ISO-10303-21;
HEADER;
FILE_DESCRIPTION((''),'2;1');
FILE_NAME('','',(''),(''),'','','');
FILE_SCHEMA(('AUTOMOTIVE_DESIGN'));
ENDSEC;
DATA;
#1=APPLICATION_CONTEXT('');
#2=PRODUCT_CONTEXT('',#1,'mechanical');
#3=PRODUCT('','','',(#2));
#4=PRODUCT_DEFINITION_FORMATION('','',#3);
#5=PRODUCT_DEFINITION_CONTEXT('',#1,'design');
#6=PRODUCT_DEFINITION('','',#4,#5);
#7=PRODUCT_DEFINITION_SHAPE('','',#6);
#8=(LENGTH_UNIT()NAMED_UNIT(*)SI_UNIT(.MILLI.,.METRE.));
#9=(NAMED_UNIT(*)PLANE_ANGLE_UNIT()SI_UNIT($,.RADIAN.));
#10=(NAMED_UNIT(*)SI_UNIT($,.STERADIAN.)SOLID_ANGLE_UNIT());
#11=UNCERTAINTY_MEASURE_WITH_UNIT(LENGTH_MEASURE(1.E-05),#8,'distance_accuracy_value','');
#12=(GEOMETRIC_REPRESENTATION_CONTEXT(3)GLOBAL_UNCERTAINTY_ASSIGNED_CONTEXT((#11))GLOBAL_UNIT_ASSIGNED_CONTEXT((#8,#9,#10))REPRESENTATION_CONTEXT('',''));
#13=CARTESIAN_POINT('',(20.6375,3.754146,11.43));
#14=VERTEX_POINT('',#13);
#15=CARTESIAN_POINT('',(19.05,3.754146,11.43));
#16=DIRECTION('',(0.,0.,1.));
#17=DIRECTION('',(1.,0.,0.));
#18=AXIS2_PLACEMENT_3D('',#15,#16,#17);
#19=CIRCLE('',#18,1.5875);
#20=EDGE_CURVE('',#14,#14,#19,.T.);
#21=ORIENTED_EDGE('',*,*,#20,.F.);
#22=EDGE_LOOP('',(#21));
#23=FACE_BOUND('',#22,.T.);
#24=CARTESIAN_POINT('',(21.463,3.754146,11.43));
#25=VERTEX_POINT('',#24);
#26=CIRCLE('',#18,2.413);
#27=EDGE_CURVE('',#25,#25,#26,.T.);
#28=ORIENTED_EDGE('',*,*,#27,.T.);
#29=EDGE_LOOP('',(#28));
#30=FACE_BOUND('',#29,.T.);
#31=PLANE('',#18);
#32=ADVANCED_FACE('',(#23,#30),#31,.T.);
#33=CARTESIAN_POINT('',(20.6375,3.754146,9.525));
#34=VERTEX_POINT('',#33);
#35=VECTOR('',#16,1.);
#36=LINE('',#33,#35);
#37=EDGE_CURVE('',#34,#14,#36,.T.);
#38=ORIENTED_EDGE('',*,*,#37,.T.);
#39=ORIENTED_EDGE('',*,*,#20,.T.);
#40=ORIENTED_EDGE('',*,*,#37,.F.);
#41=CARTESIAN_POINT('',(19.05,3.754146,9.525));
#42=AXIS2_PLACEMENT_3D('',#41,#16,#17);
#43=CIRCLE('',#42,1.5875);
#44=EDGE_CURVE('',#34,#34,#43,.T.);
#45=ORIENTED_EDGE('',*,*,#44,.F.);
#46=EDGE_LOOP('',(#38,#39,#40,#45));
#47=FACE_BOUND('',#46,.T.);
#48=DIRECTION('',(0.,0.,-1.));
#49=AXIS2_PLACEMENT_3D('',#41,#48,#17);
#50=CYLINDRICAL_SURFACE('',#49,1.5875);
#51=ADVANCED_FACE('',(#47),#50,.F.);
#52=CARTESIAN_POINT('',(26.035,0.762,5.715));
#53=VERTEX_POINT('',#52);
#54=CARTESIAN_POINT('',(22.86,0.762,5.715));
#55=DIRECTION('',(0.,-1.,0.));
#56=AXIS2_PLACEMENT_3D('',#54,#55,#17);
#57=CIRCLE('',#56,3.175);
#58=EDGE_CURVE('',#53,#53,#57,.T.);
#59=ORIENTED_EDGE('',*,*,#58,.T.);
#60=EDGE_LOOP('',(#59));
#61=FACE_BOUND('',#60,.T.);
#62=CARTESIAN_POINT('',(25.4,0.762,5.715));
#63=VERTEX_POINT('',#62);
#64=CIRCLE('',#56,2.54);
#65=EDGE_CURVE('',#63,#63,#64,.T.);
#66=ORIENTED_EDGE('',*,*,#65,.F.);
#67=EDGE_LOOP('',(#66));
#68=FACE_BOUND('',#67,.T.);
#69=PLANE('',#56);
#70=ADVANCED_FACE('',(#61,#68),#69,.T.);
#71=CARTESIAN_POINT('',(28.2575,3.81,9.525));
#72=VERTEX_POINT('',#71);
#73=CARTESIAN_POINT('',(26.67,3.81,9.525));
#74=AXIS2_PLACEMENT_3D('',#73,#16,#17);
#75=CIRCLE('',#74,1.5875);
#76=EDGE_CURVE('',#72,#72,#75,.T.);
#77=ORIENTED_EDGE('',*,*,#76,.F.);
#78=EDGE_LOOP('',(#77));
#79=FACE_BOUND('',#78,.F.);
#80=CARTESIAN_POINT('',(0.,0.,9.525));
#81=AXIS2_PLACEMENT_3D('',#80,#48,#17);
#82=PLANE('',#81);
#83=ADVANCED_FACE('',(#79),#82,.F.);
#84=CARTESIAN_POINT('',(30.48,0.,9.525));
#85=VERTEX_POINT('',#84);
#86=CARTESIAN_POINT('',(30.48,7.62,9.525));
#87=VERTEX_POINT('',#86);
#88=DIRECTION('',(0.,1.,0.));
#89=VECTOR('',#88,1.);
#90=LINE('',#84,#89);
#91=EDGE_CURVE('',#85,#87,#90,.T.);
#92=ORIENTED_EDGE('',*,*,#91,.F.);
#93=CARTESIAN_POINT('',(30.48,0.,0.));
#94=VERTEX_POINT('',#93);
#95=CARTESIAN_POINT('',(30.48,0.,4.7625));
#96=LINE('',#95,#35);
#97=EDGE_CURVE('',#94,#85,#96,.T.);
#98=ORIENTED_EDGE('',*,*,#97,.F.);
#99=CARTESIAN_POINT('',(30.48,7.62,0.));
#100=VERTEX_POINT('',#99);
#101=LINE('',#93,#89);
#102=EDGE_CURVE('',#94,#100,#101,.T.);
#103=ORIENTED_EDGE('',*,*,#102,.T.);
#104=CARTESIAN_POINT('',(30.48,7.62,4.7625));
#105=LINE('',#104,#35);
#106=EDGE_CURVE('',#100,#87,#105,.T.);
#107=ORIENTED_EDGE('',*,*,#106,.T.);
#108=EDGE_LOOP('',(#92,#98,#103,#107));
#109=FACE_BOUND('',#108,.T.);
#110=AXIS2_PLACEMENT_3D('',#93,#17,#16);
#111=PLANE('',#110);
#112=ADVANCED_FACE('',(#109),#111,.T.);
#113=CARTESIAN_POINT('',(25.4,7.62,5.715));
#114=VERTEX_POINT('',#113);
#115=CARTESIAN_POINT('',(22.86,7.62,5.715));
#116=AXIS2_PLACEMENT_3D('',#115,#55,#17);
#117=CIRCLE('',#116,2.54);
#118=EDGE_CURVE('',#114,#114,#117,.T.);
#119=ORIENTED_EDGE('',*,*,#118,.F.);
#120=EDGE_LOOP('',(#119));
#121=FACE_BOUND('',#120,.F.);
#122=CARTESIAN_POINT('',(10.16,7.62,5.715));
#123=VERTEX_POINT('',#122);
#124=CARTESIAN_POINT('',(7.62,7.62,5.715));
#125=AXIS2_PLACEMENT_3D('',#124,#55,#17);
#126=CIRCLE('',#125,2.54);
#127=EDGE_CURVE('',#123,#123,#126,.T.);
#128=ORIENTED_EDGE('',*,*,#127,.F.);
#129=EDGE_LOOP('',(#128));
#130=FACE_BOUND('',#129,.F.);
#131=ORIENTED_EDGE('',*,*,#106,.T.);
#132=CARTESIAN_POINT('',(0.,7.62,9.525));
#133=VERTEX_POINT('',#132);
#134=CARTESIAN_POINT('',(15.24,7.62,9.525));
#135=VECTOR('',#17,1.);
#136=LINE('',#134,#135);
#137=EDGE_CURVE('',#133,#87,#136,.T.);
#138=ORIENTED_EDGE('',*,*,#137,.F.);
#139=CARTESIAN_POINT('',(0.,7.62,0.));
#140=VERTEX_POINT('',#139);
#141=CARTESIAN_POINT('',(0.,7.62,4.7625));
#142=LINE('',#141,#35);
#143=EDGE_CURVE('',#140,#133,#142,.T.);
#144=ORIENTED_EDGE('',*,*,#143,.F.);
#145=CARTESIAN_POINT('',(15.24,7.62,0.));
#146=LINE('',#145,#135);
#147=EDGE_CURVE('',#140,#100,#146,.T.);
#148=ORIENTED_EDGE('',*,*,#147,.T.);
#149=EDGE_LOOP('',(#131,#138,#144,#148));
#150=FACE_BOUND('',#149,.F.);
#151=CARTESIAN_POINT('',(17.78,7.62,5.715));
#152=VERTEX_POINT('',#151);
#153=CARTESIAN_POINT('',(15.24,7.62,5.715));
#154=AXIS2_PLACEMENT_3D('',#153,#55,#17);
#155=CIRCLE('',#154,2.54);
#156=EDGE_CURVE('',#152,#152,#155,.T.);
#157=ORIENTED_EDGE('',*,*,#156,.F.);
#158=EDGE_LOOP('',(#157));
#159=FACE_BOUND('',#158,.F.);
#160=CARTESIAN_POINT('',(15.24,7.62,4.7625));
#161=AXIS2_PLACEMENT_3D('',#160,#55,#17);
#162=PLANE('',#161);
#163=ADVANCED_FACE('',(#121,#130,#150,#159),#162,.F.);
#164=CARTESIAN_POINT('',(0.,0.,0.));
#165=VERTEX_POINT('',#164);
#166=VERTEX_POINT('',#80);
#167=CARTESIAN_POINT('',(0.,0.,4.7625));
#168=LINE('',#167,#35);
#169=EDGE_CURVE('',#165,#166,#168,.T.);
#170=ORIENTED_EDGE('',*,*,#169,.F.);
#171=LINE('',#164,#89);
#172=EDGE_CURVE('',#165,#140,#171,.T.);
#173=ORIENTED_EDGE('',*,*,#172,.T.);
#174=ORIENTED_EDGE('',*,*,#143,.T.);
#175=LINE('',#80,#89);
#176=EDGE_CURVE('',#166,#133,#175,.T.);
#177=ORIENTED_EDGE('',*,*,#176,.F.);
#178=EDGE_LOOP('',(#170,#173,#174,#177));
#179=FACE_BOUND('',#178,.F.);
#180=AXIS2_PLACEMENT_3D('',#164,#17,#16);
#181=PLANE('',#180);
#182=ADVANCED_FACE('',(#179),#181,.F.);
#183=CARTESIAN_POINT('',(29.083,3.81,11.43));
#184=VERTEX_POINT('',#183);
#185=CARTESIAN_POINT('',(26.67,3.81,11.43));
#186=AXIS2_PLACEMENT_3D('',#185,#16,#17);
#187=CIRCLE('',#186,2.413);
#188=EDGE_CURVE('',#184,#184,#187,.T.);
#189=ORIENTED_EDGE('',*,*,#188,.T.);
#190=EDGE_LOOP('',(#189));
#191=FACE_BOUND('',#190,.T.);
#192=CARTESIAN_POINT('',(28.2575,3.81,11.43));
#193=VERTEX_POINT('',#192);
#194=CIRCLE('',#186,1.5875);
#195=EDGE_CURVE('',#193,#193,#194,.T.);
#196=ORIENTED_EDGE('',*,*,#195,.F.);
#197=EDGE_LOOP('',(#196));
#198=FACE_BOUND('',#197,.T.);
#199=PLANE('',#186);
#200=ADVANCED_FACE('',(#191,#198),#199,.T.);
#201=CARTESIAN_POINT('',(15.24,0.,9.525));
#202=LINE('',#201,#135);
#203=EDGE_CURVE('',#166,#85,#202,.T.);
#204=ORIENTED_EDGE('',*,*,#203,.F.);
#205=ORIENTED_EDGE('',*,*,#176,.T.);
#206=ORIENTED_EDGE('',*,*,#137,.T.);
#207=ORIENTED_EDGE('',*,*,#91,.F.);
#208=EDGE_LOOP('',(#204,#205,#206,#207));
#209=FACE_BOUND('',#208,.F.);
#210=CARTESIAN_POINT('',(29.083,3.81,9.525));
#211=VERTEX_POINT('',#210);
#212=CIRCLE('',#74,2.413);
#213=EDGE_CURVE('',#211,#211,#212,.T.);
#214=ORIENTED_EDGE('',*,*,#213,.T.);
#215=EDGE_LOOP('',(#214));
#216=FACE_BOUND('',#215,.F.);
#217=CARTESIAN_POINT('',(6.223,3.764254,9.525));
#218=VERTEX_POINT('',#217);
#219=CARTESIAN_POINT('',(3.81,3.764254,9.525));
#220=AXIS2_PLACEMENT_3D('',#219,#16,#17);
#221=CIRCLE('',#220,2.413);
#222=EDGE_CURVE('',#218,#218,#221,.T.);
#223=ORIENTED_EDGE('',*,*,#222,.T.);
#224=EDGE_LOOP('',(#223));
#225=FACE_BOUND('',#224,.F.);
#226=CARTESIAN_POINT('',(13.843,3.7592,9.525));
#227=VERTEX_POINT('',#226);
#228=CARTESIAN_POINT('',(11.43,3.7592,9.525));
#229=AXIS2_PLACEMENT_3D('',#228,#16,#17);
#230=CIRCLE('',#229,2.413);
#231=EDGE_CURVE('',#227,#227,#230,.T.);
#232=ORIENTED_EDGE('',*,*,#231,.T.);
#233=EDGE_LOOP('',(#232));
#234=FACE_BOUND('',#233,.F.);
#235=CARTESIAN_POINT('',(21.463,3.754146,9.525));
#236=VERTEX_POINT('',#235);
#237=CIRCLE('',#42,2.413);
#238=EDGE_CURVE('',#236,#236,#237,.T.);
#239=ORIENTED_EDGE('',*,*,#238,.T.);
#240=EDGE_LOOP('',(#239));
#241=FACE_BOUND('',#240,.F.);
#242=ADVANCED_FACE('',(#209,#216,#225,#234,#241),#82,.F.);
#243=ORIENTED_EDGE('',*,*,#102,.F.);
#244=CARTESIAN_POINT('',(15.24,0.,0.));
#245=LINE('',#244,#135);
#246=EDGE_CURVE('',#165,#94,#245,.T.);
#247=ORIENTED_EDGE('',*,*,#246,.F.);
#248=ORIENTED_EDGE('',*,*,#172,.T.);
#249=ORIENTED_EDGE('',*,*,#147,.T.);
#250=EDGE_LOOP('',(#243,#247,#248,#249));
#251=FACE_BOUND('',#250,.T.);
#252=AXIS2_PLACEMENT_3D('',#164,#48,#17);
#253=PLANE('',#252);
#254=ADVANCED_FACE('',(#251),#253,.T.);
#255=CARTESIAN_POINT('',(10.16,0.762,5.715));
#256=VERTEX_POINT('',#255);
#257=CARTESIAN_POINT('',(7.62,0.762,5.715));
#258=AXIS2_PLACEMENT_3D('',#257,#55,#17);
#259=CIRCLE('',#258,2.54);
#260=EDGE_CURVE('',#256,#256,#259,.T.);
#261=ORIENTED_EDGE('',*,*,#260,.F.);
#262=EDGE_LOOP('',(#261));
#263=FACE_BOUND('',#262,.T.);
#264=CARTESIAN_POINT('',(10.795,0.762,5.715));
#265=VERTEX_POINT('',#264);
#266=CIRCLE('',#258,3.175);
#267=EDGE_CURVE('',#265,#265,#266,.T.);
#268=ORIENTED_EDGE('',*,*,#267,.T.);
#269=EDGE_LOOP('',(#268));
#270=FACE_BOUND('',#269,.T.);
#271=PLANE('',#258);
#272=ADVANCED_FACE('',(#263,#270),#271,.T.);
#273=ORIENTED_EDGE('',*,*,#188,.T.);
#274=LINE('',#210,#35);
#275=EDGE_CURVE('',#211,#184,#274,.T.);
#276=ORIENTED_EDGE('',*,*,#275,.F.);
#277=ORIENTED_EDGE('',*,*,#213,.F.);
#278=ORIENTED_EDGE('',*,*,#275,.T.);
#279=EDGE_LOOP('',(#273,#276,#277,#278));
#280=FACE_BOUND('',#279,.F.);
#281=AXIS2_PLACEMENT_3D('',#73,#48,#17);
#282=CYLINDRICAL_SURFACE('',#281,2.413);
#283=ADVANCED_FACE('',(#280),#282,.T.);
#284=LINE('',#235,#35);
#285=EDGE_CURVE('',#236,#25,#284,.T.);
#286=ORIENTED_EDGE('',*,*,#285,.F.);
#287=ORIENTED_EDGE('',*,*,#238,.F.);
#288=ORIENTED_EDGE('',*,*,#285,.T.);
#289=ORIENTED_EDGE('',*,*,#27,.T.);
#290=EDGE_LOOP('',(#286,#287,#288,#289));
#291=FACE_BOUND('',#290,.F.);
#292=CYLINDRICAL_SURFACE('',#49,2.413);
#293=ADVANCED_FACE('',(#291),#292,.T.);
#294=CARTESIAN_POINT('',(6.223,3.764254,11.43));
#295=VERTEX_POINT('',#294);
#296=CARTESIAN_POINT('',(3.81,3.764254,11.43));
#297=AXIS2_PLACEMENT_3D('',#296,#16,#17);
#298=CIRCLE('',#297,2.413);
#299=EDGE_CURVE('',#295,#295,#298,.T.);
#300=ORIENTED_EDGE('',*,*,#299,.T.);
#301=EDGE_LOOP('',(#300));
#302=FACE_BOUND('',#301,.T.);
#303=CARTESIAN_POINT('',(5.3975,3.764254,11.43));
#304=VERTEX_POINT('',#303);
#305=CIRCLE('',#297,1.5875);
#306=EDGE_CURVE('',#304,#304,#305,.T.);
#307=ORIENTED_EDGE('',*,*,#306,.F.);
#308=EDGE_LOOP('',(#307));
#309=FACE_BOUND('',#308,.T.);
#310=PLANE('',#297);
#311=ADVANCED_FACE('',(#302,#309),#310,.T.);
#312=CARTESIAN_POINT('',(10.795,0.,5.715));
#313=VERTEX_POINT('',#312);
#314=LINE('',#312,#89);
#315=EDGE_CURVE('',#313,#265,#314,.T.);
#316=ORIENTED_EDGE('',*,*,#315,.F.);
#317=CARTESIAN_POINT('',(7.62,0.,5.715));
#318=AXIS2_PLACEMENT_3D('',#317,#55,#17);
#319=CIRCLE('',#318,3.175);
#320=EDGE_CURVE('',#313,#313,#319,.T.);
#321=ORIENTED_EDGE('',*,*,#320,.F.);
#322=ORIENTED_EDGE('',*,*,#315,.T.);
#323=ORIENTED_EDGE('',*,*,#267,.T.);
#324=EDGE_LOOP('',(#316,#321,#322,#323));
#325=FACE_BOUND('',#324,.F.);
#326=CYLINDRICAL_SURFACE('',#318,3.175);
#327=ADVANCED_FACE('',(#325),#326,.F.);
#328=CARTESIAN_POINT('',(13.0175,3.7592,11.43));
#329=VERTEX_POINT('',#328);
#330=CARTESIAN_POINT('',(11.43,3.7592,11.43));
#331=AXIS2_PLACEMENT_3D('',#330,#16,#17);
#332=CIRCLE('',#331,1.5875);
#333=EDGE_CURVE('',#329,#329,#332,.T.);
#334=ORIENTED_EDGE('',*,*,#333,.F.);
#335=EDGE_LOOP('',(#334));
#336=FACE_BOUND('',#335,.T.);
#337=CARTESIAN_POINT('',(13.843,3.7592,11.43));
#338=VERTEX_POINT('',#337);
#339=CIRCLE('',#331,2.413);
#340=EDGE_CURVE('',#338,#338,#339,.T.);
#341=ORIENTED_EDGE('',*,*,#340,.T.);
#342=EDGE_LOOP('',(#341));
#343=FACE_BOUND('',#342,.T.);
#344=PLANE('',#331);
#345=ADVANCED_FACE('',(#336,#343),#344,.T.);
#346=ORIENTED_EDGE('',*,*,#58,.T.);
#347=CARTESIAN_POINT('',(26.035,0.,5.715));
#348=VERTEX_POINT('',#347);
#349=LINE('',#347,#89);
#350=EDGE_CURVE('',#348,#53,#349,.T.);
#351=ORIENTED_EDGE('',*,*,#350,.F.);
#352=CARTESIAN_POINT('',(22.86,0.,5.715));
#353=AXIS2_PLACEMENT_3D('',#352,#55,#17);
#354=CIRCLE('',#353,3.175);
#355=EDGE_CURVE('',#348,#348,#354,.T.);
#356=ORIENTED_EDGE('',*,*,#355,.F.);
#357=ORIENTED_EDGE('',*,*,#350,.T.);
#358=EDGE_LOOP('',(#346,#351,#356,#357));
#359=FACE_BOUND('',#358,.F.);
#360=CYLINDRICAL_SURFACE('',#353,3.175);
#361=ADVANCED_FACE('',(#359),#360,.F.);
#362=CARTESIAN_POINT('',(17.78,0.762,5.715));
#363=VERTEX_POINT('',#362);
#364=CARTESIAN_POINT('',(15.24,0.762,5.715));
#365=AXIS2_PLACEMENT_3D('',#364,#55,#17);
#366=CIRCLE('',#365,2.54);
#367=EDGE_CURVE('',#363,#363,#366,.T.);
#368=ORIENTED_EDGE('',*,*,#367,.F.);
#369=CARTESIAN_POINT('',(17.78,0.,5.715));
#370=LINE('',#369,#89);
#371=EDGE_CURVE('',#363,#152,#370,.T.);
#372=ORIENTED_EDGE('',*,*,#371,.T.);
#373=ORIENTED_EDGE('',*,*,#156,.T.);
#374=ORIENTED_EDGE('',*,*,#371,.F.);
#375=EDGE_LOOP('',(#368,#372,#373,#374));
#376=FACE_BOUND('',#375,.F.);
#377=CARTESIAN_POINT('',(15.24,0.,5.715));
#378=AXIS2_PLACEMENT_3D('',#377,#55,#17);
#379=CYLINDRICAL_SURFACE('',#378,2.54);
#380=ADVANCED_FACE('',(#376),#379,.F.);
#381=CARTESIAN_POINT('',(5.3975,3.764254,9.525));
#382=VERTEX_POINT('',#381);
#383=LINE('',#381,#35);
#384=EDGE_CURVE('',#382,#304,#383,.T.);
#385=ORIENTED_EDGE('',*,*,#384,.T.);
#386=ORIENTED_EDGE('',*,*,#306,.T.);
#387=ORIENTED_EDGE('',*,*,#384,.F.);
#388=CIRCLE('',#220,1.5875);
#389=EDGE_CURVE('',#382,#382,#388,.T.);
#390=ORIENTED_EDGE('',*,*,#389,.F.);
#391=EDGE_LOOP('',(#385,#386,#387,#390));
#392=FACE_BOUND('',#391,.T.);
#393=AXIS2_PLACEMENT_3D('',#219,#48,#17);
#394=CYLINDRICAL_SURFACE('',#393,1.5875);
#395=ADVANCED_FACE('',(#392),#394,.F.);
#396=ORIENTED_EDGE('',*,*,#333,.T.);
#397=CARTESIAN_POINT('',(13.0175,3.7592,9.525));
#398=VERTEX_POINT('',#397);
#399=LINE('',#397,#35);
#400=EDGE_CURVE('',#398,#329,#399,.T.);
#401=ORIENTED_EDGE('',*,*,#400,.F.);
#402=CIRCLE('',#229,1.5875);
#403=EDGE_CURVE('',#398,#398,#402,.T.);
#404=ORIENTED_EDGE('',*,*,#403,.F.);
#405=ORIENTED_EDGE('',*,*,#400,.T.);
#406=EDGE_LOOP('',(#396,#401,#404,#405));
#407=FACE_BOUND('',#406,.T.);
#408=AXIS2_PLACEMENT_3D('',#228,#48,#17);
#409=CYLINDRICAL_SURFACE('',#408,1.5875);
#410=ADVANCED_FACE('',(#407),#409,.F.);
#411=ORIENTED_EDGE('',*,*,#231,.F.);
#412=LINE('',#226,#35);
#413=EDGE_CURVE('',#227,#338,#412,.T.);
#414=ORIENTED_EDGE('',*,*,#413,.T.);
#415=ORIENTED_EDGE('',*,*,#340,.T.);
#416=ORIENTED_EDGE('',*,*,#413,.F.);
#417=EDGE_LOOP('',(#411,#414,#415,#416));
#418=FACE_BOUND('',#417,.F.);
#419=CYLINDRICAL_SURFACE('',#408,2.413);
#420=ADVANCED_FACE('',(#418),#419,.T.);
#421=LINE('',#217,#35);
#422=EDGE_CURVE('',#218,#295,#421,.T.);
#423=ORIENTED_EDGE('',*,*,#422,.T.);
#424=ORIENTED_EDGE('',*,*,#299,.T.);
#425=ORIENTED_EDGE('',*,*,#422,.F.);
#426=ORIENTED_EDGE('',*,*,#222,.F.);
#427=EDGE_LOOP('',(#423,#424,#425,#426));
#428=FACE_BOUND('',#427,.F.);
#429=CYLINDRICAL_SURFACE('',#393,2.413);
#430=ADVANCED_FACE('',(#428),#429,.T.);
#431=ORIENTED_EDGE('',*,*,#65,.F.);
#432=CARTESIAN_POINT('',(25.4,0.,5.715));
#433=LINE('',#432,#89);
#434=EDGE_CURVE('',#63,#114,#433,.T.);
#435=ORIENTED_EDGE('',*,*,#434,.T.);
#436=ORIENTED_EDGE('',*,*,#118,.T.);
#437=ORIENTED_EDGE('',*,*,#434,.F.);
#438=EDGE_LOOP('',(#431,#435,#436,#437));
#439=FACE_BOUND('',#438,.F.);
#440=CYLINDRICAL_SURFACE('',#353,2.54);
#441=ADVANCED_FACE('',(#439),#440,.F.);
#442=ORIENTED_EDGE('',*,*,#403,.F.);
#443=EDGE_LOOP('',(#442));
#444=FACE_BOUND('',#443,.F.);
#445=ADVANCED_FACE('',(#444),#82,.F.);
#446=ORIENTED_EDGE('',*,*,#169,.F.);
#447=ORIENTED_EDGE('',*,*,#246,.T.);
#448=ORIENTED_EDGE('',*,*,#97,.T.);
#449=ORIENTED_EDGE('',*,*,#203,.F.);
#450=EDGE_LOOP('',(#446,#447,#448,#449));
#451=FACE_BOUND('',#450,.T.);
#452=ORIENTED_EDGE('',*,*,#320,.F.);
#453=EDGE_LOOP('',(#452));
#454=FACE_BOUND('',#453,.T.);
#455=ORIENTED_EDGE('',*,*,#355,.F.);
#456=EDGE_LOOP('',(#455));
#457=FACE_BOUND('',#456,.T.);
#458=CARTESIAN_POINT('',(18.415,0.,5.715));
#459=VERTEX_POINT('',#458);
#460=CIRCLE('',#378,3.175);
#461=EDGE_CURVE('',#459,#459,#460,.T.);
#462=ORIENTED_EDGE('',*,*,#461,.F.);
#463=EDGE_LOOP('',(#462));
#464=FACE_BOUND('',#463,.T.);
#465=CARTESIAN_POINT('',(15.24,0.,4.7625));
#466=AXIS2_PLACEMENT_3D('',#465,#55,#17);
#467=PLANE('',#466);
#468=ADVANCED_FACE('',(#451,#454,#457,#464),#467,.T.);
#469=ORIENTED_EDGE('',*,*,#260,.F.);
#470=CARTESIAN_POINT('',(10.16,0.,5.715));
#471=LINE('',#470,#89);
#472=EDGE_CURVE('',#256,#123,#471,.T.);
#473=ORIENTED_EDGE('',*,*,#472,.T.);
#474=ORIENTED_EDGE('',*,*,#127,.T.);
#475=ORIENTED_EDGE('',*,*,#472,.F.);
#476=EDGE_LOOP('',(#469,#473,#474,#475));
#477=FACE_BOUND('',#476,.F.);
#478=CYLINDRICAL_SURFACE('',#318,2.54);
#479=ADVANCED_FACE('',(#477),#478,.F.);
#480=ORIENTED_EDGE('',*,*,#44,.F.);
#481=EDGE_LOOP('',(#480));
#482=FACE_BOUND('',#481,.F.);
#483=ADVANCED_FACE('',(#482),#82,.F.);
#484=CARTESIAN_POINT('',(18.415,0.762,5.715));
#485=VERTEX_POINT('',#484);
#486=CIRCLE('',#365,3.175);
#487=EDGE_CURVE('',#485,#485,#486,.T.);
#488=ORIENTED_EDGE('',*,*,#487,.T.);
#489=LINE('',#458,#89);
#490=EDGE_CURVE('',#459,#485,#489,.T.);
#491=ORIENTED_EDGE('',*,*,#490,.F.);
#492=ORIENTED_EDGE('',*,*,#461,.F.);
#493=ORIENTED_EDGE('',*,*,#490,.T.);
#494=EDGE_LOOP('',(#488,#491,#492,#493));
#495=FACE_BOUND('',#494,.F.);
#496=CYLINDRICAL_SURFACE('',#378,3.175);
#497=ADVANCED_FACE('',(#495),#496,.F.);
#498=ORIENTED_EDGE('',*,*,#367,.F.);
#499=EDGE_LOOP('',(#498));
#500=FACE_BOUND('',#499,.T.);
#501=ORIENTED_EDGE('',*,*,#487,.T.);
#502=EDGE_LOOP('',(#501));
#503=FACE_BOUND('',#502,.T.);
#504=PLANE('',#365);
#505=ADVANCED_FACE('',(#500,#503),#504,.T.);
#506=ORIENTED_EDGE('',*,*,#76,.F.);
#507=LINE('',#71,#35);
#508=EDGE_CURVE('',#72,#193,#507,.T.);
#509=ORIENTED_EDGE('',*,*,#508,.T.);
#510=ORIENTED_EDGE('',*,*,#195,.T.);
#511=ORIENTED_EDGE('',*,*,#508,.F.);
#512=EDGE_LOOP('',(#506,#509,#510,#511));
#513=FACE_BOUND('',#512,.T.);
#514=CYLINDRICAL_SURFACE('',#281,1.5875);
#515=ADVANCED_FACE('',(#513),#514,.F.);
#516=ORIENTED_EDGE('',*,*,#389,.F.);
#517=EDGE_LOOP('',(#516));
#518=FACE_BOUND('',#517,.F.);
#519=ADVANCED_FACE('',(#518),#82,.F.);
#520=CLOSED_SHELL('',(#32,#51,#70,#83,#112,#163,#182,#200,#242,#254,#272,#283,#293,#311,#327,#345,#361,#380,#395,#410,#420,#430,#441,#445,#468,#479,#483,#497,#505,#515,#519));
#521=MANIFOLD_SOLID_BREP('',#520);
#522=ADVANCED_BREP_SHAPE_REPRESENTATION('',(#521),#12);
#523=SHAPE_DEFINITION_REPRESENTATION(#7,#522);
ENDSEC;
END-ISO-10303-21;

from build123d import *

# Parameters (mm, degrees)
F0_W     = 30.48
F0_H     = 9.525
F1_DEPTH = 7.62
F2_R     = 3.175
F2_R_2   = 2.54
F3_DEPTH = 0.762
F4_DEPTH = 10.16
F5_R     = 2.413
F5_R_2   = 1.5875
F6_DEPTH = 1.905


with BuildPart() as f1:
    # F0 (on Front) → F1 (new body)
    with BuildSketch(Plane.XZ):
        with Locations((15.24, 4.7625)):
            Rectangle(F0_W, F0_H)
    extrude(amount=-F1_DEPTH)

    # F2 (on face) → F3 (cut)
    with BuildSketch(Plane.XZ):
        with Locations((7.62, 5.715)):
            Circle(F2_R)
        with Locations((7.62, 5.715)):
            Circle(F2_R_2, mode=Mode.SUBTRACT)
        with Locations((15.24, 5.715)):
            Circle(F2_R)
        with Locations((15.24, 5.715)):
            Circle(F2_R_2, mode=Mode.SUBTRACT)
        with Locations((22.86, 5.715)):
            Circle(F2_R)
        with Locations((22.86, 5.715)):
            Circle(F2_R_2, mode=Mode.SUBTRACT)
    extrude(amount=-F3_DEPTH, mode=Mode.SUBTRACT)

    # F4 (cut): faces of the model
    f4_faces = [f1.faces().sort_by_distance(p)[0] for p in [
        (7.62, 0, 5.715),
        (15.24, 0, 5.715),
        (22.86, 0, 5.715),
    ]]
    extrude(f4_faces, amount=-F4_DEPTH, mode=Mode.SUBTRACT)

    # F5 (on face) → F6 (join)
    with BuildSketch(Plane.XY.offset(9.525)):
        with Locations((3.81, 3.7642538082)):
            Circle(F5_R)
        with Locations((3.81, 3.7642538082)):
            Circle(F5_R_2, mode=Mode.SUBTRACT)
        with Locations((11.43, 3.7592)):
            Circle(F5_R)
        with Locations((11.43, 3.7592)):
            Circle(F5_R_2, mode=Mode.SUBTRACT)
        with Locations((19.05, 3.7541461918)):
            Circle(F5_R)
        with Locations((19.05, 3.7541461918)):
            Circle(F5_R_2, mode=Mode.SUBTRACT)
        with Locations((26.67, 3.81)):
            Circle(F5_R)
        with Locations((26.67, 3.81)):
            Circle(F5_R_2, mode=Mode.SUBTRACT)
    extrude(amount=F6_DEPTH)


solid = f1.part
